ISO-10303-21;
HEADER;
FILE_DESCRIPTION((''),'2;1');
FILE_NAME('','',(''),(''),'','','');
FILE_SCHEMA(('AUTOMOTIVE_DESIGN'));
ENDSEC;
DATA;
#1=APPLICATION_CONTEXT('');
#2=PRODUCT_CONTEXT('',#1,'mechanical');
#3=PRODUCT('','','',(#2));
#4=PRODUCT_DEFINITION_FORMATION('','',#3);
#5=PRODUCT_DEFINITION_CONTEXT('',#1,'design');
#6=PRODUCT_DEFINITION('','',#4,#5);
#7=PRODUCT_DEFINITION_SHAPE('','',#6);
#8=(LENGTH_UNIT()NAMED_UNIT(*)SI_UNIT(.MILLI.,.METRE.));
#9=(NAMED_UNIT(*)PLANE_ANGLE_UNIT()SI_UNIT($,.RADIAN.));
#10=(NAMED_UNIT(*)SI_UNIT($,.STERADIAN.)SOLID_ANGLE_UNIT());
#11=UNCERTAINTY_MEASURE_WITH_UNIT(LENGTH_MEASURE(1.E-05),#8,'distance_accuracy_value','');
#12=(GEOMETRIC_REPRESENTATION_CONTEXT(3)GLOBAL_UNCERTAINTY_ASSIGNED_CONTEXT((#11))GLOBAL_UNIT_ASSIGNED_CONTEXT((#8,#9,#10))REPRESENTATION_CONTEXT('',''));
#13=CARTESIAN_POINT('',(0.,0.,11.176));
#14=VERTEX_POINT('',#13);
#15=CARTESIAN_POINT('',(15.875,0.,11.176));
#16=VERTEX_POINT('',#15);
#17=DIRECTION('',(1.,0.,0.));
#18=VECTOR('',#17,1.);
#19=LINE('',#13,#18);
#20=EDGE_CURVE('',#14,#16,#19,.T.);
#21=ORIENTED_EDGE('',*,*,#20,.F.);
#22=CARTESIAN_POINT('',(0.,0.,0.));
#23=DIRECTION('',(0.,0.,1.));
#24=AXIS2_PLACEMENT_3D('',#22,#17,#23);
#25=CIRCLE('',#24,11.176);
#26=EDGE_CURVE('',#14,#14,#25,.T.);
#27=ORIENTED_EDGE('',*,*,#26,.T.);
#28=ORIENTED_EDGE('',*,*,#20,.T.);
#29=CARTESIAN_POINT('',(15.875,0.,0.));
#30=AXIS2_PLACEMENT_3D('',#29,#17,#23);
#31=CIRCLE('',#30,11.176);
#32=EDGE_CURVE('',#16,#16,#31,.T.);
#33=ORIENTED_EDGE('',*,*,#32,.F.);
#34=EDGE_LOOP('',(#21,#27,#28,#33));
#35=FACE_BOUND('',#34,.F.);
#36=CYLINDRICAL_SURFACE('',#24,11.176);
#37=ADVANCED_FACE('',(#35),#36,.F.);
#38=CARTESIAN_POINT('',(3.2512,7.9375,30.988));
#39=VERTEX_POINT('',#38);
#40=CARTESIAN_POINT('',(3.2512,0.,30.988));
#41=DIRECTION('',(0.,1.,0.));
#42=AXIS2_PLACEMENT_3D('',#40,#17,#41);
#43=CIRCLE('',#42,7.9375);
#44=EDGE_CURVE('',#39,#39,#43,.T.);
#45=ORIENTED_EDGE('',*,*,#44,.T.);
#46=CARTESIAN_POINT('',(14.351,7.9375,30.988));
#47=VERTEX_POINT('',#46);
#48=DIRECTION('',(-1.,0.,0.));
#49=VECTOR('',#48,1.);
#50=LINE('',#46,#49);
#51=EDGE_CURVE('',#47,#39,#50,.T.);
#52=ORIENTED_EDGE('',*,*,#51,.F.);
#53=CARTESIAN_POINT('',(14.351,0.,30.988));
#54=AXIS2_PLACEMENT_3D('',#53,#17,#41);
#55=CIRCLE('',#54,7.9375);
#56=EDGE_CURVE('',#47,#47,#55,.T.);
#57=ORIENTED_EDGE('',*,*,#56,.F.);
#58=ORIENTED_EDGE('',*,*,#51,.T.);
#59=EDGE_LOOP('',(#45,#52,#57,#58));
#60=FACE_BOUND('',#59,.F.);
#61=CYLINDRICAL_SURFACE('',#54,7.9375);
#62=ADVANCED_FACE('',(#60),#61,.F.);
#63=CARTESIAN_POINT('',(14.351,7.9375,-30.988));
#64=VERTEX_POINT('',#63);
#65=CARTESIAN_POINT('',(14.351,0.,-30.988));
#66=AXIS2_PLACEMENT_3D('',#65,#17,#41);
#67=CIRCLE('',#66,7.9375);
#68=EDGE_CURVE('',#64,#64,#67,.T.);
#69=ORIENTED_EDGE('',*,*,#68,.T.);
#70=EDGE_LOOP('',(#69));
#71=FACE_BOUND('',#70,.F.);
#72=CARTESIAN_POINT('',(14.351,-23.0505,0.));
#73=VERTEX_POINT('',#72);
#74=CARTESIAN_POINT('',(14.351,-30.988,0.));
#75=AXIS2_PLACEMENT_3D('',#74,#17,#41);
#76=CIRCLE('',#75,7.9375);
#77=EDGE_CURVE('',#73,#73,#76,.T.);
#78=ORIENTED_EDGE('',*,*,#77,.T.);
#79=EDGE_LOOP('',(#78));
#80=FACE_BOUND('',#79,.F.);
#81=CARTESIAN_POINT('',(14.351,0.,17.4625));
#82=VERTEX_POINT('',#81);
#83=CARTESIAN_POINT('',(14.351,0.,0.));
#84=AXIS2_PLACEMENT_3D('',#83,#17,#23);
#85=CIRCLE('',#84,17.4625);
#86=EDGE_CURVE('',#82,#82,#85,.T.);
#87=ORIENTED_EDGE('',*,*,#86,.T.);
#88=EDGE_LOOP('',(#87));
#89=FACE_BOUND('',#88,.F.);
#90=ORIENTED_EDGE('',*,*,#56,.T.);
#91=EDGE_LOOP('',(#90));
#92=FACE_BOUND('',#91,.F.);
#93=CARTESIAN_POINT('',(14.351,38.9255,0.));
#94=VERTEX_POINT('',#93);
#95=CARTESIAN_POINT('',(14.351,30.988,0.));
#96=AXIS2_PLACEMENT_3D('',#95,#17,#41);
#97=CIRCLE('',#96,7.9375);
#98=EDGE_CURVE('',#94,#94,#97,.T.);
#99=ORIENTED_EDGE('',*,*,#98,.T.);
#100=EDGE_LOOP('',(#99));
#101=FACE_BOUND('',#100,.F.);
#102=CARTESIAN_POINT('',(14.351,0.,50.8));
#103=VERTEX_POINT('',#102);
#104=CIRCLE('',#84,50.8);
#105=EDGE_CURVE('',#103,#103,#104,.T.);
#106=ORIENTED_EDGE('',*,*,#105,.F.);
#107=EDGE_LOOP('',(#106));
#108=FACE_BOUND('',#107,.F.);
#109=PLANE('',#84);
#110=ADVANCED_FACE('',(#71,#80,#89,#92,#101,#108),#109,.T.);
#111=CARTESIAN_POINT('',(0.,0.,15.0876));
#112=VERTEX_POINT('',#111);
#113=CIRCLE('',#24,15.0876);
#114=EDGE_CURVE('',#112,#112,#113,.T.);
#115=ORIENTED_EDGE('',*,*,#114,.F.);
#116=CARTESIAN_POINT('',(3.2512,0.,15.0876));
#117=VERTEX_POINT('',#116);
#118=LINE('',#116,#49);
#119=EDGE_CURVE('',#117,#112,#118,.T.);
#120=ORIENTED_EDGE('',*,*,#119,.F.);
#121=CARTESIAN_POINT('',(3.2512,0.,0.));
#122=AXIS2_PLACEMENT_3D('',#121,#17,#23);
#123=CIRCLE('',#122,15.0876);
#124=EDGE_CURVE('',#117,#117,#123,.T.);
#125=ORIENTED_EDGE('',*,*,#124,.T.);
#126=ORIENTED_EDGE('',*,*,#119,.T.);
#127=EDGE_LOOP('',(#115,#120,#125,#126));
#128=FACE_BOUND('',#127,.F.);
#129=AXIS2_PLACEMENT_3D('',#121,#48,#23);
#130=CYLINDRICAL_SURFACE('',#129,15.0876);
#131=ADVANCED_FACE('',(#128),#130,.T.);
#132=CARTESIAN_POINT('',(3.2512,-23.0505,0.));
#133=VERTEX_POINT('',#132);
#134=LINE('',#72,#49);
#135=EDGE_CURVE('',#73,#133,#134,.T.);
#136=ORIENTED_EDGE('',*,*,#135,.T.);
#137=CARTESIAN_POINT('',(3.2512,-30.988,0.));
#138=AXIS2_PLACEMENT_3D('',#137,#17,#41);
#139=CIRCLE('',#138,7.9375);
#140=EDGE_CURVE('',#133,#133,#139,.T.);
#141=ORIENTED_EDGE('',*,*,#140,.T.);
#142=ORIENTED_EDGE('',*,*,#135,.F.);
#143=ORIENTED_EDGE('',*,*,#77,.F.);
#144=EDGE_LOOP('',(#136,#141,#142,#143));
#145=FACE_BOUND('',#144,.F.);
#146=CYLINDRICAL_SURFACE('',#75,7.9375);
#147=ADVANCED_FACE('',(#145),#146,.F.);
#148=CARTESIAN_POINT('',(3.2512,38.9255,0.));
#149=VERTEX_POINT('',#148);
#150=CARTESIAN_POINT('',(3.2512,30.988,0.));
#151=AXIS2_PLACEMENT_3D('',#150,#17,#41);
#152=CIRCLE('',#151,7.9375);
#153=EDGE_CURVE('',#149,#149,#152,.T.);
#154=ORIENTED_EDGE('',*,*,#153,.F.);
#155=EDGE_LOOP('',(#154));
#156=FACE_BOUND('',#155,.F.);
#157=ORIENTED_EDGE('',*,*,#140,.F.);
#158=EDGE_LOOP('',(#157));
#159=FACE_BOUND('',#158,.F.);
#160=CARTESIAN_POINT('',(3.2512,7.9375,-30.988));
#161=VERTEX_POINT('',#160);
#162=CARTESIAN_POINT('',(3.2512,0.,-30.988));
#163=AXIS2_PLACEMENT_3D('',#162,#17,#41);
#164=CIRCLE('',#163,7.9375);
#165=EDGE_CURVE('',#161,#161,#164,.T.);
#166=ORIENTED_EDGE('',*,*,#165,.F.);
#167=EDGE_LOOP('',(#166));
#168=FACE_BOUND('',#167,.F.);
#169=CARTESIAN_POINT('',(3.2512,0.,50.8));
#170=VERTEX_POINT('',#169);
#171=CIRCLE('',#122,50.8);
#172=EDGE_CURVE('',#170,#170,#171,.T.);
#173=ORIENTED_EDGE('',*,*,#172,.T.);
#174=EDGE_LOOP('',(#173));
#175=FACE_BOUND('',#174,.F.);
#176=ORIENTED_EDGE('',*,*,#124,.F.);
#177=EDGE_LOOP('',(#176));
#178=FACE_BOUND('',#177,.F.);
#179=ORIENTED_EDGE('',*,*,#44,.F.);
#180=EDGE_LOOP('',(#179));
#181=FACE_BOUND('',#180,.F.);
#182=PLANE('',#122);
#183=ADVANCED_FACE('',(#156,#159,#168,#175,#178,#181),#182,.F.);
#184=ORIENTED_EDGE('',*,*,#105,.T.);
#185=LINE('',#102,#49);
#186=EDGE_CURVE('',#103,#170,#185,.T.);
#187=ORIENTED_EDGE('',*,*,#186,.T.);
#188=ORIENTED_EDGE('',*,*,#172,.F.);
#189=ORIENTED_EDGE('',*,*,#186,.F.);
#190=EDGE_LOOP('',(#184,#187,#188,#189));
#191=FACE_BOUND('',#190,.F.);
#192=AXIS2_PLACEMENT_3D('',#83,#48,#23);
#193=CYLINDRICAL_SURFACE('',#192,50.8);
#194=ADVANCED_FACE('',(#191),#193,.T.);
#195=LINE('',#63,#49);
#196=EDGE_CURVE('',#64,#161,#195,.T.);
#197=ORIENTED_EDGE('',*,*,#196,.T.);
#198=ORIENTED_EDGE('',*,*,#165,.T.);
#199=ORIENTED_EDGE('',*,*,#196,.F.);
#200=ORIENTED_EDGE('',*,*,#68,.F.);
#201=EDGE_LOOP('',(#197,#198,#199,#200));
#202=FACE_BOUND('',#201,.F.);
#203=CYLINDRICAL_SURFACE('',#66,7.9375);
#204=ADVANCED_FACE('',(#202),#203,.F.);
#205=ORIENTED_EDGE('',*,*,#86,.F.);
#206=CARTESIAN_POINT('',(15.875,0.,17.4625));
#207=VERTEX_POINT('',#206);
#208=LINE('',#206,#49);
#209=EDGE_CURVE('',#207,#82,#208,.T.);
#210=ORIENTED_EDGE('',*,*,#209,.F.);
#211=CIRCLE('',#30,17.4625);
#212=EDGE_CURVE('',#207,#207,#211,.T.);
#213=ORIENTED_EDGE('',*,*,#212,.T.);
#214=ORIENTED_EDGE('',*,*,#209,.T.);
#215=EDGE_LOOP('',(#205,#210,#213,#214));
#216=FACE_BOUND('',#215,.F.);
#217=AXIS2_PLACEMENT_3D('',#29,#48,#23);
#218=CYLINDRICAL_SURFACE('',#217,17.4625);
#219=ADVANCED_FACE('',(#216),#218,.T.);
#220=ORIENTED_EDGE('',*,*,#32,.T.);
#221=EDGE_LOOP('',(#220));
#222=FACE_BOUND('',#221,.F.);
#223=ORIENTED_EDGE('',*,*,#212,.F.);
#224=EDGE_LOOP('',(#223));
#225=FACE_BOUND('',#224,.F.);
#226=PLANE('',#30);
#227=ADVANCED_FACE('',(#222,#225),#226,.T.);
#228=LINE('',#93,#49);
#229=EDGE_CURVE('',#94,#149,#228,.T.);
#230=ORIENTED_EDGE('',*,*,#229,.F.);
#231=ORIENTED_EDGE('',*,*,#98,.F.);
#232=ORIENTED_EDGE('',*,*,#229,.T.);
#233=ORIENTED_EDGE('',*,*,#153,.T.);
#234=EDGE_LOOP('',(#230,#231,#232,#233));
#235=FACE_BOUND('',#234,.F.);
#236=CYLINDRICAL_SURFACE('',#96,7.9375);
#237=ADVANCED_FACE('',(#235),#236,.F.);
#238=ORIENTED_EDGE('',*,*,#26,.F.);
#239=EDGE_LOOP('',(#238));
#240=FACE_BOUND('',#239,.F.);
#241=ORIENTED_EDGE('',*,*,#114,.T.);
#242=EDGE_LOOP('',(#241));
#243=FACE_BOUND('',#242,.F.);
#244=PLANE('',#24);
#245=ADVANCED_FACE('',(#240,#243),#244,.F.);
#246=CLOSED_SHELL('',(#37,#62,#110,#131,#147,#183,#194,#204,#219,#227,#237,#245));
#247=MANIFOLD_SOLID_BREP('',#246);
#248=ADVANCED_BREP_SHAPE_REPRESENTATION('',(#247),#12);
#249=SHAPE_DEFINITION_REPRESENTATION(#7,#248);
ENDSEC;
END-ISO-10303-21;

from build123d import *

# Parameters (mm, degrees)
F2_R     = 7.9375
F3_DEPTH = 14.352


with BuildPart() as f1:
    # F0 (on Front) → F1 (revolve)
    with BuildSketch(Plane.XZ):
        Polygon((3.2512, 15.0876), (0, 15.0876), (0, 11.176), (15.875, 11.176), (15.875, 17.4625), (14.351, 17.4625), (14.351, 50.8), (3.2512, 50.8), align=None)
    revolve(axis=Axis((-0.422707, 0, 0), (1, 0, 0)))

    # F2 (on face) → F3 (cut, through all)
    with BuildSketch(Plane.YZ.offset(14.351)):
        with Locations((0, 30.988)):
            Circle(F2_R)
        with Locations((-30.988, 0)):
            Circle(F2_R)
        with Locations((0, -30.988)):
            Circle(F2_R)
        with Locations((30.988, 0)):
            Circle(F2_R)
    extrude(amount=-F3_DEPTH, mode=Mode.SUBTRACT)


solid = f1.part
